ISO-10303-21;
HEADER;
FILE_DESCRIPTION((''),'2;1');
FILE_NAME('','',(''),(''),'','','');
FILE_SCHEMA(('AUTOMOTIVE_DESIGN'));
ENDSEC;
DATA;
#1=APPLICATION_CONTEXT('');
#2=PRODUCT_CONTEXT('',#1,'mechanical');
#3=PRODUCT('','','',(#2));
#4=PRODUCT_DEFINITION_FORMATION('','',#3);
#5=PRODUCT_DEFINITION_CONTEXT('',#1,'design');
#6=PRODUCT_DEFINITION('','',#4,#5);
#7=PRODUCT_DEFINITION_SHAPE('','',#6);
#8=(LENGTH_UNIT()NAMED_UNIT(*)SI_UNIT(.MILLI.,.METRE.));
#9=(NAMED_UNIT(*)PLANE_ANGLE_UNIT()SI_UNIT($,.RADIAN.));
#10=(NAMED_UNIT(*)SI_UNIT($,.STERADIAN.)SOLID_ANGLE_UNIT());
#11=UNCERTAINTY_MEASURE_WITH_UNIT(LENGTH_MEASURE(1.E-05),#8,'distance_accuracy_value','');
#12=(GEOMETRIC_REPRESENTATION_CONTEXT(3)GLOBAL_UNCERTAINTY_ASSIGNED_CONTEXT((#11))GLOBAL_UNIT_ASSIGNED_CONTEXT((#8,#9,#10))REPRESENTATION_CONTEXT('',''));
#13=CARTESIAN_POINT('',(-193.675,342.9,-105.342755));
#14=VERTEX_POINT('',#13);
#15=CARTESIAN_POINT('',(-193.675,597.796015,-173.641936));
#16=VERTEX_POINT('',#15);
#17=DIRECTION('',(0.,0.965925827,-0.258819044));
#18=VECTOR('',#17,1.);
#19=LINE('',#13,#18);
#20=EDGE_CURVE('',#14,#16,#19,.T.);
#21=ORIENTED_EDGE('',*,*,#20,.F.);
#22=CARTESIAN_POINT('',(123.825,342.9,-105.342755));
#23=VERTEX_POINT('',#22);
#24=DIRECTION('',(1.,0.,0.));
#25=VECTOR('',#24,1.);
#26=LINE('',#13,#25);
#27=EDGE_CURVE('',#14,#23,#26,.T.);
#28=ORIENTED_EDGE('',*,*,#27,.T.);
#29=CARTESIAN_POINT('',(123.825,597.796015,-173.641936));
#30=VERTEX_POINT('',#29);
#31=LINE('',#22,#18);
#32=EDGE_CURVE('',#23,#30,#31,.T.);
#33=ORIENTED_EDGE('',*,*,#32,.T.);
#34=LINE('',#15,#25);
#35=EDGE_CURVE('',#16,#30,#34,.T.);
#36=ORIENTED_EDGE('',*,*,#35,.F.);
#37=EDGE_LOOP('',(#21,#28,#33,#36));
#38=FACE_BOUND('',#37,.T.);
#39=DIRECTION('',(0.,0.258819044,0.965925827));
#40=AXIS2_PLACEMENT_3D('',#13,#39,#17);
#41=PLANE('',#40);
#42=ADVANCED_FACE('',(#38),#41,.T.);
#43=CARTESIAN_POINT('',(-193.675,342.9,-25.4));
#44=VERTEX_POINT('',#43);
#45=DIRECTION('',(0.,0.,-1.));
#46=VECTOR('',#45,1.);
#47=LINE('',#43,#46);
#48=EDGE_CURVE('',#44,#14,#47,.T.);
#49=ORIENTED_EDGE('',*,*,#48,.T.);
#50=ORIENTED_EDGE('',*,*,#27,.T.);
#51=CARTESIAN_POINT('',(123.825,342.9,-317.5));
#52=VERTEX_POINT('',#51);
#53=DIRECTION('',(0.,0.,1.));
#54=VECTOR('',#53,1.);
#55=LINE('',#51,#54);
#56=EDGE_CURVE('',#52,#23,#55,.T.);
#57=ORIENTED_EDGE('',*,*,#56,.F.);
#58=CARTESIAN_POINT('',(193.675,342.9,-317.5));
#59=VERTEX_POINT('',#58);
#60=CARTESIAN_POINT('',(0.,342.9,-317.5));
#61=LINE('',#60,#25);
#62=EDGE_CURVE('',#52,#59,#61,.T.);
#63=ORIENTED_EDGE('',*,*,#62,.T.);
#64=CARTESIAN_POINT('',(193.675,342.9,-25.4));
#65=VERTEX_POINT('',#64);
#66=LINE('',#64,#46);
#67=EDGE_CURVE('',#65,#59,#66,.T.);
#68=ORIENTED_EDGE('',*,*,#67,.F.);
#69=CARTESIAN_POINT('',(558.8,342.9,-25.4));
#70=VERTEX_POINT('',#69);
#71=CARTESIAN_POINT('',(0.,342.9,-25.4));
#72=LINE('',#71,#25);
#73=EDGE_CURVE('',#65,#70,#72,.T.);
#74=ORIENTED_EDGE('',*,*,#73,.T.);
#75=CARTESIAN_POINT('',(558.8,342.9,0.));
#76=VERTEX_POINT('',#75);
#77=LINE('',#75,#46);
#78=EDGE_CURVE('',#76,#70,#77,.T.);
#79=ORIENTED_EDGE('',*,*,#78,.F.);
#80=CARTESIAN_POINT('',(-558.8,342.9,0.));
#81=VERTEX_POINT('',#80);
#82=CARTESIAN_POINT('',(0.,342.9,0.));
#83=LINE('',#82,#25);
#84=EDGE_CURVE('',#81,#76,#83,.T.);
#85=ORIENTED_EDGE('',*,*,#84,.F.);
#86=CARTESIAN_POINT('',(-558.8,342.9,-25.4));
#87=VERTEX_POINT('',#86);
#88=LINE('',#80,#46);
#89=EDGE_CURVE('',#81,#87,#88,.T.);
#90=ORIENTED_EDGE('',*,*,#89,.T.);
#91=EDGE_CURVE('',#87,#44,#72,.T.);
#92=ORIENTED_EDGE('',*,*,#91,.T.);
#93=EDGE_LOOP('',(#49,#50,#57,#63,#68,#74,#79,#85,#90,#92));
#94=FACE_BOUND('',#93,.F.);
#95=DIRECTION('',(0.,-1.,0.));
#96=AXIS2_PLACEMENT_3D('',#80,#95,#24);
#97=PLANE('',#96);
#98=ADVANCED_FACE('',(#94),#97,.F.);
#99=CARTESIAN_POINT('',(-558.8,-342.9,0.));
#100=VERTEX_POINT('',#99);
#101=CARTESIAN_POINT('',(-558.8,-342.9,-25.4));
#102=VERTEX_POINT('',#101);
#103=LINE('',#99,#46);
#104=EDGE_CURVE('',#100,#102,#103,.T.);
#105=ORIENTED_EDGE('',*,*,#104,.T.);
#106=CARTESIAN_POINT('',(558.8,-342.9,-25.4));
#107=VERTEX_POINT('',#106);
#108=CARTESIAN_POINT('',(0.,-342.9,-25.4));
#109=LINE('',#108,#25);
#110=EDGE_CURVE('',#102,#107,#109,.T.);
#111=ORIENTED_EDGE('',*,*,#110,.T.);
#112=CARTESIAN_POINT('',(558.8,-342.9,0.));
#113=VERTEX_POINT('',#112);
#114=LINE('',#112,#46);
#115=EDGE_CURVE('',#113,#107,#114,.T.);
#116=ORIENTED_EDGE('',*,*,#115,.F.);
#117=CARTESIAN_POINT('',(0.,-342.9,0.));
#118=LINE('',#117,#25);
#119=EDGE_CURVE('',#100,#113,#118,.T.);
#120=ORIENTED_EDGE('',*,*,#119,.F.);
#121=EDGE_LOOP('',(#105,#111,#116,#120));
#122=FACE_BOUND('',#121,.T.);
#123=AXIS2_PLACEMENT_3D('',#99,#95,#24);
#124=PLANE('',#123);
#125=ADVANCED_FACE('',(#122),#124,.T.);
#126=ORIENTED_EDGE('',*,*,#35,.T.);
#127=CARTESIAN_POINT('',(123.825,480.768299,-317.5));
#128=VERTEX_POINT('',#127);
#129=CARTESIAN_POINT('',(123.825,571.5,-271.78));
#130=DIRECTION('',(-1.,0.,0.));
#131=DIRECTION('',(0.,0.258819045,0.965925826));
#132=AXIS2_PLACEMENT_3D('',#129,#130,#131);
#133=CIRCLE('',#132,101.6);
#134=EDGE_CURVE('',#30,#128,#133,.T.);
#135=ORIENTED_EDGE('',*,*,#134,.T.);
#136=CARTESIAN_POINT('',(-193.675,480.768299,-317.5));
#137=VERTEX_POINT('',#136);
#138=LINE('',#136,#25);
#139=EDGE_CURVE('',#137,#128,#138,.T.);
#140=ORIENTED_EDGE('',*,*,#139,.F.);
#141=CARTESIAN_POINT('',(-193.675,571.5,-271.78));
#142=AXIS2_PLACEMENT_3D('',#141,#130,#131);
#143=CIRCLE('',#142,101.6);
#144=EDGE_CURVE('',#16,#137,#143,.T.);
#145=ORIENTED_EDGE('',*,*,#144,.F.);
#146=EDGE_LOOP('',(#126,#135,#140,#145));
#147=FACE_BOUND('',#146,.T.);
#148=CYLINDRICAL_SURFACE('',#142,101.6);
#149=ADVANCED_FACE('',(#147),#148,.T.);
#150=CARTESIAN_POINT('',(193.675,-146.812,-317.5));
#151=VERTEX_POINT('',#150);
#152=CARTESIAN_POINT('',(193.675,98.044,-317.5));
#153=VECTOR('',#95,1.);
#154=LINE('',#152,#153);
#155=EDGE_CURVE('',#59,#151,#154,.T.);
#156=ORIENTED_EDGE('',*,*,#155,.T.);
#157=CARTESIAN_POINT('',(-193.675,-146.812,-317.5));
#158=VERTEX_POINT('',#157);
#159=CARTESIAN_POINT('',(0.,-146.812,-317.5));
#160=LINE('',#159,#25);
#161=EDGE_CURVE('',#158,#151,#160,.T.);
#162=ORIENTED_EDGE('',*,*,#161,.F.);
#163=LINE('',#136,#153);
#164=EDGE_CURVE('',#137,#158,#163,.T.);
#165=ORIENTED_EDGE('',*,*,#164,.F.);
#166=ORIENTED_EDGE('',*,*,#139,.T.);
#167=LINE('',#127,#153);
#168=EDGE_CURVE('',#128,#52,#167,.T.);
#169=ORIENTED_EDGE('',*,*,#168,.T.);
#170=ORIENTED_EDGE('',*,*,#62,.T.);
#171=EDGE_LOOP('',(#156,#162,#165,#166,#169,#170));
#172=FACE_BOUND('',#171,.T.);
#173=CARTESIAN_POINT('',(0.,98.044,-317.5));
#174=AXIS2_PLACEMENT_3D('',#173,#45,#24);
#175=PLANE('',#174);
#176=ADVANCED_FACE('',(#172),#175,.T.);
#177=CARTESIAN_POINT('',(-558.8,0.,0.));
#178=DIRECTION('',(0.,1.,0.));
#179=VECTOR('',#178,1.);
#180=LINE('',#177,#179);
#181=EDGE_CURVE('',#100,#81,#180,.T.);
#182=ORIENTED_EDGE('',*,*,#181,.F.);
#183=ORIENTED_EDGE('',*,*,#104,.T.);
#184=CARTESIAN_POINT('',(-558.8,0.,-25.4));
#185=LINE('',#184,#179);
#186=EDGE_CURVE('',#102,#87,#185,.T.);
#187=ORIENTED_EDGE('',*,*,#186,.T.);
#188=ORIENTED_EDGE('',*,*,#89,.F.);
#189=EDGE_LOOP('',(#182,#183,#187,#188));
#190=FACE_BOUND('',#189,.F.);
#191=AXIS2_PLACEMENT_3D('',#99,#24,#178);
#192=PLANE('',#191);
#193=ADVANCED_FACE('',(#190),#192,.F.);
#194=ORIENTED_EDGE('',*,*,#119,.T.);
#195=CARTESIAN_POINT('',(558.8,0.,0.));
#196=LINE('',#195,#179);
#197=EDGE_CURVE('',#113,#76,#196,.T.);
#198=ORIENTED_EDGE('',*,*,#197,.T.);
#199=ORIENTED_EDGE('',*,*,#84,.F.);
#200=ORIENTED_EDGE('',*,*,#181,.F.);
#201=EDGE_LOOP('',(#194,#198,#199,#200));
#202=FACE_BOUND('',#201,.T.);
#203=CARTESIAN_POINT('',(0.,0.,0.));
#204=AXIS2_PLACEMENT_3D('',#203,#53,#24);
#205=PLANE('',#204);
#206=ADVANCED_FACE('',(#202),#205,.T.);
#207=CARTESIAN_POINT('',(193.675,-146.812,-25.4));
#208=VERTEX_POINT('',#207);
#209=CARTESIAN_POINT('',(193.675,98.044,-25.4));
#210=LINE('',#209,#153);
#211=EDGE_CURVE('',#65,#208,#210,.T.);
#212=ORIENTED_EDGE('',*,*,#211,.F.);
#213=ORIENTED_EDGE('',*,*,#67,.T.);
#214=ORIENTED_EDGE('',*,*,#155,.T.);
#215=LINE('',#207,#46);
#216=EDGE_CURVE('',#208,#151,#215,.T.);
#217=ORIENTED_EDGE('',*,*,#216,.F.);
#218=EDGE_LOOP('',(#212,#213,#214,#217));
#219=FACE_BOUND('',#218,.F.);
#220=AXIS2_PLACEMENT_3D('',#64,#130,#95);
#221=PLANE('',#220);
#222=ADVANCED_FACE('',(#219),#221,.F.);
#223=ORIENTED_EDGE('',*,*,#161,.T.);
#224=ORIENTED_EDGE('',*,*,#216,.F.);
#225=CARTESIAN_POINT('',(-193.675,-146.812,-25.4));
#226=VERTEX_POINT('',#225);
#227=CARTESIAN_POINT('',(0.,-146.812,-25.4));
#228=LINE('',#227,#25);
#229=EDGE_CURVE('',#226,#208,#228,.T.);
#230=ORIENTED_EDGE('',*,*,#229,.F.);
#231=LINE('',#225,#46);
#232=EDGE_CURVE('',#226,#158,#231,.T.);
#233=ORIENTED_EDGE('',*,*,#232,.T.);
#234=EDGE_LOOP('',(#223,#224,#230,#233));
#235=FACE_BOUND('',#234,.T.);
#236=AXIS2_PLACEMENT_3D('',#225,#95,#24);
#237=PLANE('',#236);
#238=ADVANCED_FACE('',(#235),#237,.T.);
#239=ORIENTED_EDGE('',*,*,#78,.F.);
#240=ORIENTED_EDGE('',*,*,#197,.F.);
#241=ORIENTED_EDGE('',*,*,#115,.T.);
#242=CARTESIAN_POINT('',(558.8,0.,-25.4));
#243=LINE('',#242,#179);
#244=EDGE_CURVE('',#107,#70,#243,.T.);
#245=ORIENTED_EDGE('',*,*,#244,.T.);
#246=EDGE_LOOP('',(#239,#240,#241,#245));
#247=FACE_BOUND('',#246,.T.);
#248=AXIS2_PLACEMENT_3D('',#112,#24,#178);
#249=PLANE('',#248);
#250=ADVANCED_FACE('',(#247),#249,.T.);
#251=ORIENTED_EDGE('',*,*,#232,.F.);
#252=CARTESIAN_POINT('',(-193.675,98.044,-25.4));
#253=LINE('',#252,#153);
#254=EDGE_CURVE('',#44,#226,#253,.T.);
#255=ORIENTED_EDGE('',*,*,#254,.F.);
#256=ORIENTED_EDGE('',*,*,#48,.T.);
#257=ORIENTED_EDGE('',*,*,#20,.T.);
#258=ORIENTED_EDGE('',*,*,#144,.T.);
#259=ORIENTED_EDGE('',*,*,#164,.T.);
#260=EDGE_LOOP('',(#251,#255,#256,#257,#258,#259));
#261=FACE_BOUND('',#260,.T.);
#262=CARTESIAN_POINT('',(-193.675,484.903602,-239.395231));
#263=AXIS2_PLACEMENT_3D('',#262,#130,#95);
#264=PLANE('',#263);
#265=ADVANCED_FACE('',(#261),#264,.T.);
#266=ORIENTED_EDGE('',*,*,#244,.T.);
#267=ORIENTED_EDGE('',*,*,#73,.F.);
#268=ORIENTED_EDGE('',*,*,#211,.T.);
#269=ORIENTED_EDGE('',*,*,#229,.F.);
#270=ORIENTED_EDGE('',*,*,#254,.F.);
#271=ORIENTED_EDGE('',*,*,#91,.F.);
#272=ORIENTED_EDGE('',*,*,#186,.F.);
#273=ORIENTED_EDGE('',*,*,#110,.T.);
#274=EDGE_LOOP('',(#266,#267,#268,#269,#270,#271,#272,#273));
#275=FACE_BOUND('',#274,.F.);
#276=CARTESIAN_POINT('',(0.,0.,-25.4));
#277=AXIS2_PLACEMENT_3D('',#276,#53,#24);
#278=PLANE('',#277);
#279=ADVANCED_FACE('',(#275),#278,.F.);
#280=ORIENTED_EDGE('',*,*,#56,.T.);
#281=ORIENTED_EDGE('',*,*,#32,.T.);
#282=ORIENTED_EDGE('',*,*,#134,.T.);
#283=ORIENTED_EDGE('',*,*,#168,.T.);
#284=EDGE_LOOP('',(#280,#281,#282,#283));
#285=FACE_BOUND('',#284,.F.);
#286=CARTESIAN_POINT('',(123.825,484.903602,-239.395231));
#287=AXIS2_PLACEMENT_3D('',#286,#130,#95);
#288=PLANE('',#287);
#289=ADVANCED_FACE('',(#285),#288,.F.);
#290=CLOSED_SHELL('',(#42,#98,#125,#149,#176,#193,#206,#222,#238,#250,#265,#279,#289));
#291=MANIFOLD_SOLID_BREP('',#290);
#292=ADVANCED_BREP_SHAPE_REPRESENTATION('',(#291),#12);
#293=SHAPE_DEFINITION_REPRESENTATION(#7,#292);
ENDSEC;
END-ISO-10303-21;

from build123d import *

# Parameters (mm, degrees)
F0_W     = 1117.6
F0_H     = 685.8
F1_DEPTH = 25.4
F2_W     = 387.35
F2_H     = 489.712
F3_DEPTH = 292.1
F5_DEPTH = 317.5


with BuildPart() as f1:
    # F0 (on Top) → F1 (new body)
    with BuildSketch(Plane.XY):
        Rectangle(F0_W, F0_H)
    extrude(amount=-F1_DEPTH)

    # F2 (on face) → F3 (join)
    with BuildSketch(Plane(origin=(0, 0, -25.4), x_dir=(1, 0, 0), z_dir=(0, 0, -1))):
        with Locations((0, -98.044)):
            Rectangle(F2_W, F2_H)
    extrude(amount=F3_DEPTH)

    # F4 (on face) → F5 (join)
    with BuildSketch(Plane(origin=(-193.675, 0, 0), x_dir=(0, -1, 0), z_dir=(-1, 0, 0))):
        with BuildLine():
            Line((-342.9, -105.342755), (-597.796015, -173.641936))
            ThreePointArc((-597.796015, -173.641936), (-650.314815, -335.895403), (-480.768299, -317.5))
            Line((-480.768299, -317.5), (-342.9, -317.5))
            Line((-342.9, -317.5), (-342.9, -105.342755))
        make_face()
    extrude(amount=-F5_DEPTH)


solid = f1.part
